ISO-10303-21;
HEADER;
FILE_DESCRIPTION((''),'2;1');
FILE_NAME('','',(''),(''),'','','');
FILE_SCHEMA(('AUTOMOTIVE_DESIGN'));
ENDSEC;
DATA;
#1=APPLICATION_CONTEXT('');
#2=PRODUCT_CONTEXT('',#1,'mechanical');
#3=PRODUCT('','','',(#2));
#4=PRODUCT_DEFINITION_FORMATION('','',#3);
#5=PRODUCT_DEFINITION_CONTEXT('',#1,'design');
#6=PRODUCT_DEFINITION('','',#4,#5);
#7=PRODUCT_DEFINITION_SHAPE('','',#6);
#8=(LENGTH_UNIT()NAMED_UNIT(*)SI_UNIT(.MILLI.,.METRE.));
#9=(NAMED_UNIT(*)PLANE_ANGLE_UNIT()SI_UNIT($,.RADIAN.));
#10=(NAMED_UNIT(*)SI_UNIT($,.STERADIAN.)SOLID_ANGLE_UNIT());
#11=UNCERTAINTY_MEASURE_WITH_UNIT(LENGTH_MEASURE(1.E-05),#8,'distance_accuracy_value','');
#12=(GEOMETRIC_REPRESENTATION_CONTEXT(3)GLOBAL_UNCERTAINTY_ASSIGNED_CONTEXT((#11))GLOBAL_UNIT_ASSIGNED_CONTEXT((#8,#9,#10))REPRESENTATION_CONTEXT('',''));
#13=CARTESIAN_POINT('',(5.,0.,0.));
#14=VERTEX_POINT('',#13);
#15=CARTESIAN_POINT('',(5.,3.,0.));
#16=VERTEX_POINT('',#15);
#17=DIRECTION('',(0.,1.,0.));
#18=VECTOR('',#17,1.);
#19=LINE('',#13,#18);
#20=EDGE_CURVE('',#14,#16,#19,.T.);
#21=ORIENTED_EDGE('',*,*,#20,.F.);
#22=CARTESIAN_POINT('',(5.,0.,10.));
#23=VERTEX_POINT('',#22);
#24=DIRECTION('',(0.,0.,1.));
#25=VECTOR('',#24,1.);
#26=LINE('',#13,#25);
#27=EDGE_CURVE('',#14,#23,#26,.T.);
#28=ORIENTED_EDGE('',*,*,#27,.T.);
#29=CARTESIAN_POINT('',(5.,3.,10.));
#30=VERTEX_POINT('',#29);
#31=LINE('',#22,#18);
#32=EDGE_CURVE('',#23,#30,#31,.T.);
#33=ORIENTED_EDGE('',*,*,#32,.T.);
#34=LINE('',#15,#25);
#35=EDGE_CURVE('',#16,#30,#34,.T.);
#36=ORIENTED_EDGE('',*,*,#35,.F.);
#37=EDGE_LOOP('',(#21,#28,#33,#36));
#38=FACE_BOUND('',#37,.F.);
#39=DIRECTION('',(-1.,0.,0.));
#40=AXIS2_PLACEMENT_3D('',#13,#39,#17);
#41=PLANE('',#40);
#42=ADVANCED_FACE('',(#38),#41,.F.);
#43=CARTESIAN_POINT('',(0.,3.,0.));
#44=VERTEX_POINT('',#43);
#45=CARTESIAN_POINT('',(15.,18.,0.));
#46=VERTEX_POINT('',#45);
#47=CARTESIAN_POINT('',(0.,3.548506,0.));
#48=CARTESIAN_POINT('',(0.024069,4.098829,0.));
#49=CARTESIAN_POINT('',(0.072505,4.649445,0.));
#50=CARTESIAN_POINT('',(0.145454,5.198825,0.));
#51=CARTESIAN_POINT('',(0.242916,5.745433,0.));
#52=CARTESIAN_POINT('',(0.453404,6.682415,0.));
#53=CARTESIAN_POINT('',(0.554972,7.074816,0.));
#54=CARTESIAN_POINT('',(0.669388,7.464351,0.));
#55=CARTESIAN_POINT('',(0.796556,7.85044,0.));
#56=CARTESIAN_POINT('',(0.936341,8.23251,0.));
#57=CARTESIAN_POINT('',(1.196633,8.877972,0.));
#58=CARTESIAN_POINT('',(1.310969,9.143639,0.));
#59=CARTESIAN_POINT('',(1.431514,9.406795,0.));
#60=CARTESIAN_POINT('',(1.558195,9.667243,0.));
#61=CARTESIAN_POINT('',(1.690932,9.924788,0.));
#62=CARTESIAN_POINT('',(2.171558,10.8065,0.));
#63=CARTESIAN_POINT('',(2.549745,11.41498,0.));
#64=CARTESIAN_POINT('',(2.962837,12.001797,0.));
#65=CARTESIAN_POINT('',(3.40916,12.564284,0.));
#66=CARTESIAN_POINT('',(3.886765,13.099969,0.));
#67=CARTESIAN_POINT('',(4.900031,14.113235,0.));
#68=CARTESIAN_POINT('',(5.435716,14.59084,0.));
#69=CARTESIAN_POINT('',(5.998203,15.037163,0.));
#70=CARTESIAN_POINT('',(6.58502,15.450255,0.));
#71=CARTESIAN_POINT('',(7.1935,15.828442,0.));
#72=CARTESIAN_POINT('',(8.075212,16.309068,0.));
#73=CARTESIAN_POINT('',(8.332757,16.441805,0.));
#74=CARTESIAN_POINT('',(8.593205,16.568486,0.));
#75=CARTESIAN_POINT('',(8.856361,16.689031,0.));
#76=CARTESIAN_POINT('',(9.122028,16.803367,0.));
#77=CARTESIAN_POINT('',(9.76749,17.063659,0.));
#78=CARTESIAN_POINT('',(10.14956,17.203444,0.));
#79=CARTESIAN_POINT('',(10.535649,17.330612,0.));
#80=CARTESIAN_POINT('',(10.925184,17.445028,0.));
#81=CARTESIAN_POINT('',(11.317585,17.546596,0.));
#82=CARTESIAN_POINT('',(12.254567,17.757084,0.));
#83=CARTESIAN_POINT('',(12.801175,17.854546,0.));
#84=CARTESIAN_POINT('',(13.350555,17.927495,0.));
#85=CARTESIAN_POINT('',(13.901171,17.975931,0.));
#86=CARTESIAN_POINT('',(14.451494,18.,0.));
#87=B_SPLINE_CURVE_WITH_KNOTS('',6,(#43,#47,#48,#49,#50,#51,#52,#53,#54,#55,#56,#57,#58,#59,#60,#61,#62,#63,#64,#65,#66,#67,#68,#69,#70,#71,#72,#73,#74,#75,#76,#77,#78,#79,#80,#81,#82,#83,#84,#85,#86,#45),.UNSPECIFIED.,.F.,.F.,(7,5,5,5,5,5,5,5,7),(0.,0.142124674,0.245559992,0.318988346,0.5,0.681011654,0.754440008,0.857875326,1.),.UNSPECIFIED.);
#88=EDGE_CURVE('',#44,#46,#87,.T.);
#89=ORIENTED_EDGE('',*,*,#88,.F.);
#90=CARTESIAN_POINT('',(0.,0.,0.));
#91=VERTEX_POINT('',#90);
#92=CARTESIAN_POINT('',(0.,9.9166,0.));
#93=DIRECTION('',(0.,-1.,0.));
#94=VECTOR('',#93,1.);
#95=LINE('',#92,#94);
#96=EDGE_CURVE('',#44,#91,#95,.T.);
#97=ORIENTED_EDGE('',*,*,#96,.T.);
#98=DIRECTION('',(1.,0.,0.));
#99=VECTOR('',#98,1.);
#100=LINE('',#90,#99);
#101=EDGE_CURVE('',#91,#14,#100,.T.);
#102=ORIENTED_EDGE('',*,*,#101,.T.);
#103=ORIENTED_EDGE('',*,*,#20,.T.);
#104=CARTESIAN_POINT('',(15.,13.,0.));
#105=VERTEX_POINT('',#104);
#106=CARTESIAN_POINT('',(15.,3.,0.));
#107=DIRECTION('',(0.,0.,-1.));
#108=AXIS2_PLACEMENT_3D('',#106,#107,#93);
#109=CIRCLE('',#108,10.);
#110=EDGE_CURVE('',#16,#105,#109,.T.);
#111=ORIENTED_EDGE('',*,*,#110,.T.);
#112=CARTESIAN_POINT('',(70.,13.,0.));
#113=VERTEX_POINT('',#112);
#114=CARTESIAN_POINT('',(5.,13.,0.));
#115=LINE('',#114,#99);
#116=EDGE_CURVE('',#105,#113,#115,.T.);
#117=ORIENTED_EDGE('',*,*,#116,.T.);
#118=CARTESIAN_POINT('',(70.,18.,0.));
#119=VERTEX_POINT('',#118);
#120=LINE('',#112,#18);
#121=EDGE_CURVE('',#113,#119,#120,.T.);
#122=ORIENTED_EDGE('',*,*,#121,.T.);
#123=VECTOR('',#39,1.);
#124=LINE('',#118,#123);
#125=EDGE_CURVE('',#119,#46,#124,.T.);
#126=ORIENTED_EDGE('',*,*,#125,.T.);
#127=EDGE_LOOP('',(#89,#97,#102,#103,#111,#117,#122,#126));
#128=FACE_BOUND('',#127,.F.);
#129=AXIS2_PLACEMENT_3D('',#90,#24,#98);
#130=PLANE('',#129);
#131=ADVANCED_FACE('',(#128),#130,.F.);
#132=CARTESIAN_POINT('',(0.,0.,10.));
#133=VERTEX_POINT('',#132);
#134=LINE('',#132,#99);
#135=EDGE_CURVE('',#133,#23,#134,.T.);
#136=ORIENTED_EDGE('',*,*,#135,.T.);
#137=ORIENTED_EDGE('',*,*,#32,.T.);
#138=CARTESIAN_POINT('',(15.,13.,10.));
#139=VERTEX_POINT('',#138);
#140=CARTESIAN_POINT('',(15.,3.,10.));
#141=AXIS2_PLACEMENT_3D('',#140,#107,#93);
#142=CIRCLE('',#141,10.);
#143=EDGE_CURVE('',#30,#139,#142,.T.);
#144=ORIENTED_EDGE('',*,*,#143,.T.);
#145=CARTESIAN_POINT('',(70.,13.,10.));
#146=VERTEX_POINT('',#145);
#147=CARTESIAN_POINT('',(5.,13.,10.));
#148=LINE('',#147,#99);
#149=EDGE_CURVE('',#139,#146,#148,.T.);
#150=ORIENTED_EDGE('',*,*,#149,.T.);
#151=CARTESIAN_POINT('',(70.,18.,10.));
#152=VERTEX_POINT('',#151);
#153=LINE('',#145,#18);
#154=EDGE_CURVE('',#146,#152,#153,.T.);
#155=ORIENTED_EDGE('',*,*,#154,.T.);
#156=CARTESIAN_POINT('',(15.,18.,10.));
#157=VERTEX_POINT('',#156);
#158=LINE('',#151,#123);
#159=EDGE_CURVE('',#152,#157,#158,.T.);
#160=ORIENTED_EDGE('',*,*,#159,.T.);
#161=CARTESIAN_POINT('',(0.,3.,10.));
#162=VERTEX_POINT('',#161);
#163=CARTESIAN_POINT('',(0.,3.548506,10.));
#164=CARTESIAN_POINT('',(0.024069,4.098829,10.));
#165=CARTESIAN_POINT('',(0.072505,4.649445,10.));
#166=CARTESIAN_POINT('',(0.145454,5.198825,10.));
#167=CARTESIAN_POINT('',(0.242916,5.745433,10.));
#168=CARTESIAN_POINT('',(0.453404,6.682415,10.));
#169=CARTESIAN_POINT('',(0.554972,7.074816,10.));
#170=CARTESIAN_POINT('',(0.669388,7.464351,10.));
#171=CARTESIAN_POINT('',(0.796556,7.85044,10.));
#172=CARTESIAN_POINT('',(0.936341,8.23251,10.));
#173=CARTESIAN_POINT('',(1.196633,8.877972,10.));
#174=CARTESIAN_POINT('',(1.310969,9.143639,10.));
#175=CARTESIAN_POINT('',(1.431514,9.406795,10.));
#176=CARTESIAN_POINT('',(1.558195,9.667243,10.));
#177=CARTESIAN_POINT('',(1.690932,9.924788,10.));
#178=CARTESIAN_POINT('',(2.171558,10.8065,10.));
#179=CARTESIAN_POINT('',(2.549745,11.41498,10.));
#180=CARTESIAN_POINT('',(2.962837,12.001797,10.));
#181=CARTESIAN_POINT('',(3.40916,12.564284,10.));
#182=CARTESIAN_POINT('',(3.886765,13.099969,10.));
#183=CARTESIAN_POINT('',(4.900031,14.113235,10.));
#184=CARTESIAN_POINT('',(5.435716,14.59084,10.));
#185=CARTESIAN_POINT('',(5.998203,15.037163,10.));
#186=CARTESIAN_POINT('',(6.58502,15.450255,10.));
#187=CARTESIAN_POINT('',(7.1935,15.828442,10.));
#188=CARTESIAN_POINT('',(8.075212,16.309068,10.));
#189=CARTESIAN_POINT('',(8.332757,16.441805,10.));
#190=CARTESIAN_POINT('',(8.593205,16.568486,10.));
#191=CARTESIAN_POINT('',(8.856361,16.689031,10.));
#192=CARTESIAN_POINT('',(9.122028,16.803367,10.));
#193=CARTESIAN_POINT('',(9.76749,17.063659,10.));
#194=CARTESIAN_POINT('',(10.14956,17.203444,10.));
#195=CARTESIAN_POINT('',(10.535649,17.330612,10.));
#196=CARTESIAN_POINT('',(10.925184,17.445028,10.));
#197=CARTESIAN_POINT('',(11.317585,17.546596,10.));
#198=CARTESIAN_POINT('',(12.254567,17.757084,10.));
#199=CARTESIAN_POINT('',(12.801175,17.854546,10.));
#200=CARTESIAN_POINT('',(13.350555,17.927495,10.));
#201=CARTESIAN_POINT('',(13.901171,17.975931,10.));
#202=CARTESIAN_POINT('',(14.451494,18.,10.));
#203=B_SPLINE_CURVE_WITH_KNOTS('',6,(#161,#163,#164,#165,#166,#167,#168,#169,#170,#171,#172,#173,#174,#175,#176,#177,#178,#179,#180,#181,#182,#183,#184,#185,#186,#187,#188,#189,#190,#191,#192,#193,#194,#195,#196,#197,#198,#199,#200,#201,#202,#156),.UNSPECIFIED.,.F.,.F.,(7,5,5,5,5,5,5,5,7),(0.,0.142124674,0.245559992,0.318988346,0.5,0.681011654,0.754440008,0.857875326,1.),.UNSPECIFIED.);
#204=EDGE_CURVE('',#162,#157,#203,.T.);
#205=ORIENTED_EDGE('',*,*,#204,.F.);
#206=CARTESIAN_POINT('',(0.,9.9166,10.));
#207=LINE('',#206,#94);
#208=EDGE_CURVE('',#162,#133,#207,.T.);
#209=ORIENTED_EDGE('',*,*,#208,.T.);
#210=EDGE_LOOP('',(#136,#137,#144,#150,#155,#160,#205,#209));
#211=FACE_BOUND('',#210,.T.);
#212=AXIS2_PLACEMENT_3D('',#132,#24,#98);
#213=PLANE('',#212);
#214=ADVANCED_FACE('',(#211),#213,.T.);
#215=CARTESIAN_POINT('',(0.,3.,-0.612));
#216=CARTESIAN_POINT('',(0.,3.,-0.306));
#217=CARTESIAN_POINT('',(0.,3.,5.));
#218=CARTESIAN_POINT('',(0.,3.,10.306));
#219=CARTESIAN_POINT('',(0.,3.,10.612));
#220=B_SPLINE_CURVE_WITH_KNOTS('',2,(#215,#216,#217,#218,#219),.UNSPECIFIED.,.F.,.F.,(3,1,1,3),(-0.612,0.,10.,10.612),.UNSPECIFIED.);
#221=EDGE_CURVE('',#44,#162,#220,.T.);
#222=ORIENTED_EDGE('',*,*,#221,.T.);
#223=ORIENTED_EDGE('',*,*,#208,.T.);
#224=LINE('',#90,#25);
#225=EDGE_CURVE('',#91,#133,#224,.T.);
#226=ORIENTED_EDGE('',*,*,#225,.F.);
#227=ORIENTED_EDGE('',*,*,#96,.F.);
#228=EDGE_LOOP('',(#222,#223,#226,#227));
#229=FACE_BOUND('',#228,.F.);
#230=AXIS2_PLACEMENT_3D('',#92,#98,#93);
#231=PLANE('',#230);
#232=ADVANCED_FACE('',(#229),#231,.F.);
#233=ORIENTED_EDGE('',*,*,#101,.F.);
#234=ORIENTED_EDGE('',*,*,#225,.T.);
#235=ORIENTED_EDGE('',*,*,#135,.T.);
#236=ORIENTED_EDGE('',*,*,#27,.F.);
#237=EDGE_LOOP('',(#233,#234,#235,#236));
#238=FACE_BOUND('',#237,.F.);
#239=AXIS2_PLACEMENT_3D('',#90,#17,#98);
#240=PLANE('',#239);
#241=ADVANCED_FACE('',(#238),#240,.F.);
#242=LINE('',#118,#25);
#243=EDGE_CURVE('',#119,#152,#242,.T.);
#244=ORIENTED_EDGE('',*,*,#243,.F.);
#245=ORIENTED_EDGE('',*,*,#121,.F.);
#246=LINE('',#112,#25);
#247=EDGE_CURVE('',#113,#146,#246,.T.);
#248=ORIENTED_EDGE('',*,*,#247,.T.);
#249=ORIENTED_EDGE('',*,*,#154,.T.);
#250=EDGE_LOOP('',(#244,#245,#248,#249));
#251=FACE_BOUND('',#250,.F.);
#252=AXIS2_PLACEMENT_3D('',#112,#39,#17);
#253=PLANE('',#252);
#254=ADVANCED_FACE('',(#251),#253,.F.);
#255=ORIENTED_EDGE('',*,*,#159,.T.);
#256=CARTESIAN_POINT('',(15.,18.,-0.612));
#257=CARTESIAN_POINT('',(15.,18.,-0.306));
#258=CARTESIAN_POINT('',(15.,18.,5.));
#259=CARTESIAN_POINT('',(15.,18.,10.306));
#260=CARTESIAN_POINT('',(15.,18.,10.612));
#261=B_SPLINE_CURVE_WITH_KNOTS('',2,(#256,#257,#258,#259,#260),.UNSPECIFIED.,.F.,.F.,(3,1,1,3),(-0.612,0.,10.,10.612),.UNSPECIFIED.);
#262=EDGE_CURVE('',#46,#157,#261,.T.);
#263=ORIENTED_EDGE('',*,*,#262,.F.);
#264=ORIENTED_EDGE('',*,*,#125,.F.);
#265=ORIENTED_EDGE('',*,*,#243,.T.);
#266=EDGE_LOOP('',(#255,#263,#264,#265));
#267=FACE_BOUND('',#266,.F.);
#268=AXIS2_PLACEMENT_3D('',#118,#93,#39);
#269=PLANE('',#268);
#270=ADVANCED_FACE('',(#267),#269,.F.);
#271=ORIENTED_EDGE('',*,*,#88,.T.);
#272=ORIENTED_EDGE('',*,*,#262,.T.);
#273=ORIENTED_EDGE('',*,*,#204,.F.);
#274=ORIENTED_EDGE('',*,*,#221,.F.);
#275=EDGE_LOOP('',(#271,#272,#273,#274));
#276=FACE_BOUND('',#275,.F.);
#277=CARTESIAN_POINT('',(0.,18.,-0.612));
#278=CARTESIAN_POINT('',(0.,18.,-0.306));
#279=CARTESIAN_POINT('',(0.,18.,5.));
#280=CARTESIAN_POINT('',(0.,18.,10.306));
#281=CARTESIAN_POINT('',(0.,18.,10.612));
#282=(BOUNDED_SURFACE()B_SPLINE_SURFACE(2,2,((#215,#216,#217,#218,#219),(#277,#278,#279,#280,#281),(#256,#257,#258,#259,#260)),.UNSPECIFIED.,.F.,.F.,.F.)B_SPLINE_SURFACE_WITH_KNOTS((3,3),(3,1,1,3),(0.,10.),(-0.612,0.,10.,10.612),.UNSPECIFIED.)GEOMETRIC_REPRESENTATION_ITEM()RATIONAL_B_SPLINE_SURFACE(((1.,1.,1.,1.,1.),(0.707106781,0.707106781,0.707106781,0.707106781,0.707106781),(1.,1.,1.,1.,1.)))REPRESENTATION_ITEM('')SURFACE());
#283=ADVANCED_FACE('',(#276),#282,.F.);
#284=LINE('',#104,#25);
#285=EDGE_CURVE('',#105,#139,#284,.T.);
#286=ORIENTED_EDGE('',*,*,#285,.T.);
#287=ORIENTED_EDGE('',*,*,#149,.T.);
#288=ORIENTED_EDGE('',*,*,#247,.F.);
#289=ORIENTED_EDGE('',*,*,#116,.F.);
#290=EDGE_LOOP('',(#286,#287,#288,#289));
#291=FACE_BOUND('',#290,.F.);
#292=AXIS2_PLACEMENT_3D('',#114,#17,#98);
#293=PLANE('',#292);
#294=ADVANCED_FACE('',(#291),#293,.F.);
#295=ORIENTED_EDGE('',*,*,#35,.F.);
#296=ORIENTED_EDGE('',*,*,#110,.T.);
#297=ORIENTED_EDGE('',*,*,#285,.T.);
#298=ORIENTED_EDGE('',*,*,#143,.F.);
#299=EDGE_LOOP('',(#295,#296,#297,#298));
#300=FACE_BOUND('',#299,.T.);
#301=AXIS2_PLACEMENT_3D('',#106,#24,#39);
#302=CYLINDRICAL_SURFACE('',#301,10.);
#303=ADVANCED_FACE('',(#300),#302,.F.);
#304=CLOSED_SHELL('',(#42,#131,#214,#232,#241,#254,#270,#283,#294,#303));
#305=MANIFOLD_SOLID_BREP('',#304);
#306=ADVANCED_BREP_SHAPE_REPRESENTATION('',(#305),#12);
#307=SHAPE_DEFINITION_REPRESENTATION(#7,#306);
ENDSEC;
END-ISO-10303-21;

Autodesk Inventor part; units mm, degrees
ref_plane "YZ Plane" through (0, 0, 0) normal (1, 0, 0) x (0, 1, 0)
ref_plane "XZ Plane" through (0, 0, 0) normal (0, 1, 0) x (-1, 0, 0)
ref_plane "XY Plane" through (0, 0, 0) normal (0, 0, 1) x (1, 0, 0)
sketch "Sketch2" plane through (0, 0, 0) normal (0, 0, 1) x (1, 0, 0)
  line L0 (0, 0) -> (5, 0)
  line L1 (5, 0) -> (5, 13)
  line L2 (0, 9.9166) -> (0, 0)
  line L3 (5, 13) -> (70, 13)
  line L4 (70, 13) -> (70, 18)
  line L5 (70, 18) -> (0, 18)
  line L6 (0, 18) -> (0, 9.9166)
  dimension "d9" = 5
  dimension "d10" = 65
  dimension "d11" = 13
  dimension "d16" = 5
extrude "Extrusion2" add sketch "Sketch2" along normal blind 10
fillet "Fillet1" radius 15 1 edges at (0, 18, 5)
fillet "Fillet2" radius 10 1 edges at (5, 13, 5)
properties part number "zweef-01"
